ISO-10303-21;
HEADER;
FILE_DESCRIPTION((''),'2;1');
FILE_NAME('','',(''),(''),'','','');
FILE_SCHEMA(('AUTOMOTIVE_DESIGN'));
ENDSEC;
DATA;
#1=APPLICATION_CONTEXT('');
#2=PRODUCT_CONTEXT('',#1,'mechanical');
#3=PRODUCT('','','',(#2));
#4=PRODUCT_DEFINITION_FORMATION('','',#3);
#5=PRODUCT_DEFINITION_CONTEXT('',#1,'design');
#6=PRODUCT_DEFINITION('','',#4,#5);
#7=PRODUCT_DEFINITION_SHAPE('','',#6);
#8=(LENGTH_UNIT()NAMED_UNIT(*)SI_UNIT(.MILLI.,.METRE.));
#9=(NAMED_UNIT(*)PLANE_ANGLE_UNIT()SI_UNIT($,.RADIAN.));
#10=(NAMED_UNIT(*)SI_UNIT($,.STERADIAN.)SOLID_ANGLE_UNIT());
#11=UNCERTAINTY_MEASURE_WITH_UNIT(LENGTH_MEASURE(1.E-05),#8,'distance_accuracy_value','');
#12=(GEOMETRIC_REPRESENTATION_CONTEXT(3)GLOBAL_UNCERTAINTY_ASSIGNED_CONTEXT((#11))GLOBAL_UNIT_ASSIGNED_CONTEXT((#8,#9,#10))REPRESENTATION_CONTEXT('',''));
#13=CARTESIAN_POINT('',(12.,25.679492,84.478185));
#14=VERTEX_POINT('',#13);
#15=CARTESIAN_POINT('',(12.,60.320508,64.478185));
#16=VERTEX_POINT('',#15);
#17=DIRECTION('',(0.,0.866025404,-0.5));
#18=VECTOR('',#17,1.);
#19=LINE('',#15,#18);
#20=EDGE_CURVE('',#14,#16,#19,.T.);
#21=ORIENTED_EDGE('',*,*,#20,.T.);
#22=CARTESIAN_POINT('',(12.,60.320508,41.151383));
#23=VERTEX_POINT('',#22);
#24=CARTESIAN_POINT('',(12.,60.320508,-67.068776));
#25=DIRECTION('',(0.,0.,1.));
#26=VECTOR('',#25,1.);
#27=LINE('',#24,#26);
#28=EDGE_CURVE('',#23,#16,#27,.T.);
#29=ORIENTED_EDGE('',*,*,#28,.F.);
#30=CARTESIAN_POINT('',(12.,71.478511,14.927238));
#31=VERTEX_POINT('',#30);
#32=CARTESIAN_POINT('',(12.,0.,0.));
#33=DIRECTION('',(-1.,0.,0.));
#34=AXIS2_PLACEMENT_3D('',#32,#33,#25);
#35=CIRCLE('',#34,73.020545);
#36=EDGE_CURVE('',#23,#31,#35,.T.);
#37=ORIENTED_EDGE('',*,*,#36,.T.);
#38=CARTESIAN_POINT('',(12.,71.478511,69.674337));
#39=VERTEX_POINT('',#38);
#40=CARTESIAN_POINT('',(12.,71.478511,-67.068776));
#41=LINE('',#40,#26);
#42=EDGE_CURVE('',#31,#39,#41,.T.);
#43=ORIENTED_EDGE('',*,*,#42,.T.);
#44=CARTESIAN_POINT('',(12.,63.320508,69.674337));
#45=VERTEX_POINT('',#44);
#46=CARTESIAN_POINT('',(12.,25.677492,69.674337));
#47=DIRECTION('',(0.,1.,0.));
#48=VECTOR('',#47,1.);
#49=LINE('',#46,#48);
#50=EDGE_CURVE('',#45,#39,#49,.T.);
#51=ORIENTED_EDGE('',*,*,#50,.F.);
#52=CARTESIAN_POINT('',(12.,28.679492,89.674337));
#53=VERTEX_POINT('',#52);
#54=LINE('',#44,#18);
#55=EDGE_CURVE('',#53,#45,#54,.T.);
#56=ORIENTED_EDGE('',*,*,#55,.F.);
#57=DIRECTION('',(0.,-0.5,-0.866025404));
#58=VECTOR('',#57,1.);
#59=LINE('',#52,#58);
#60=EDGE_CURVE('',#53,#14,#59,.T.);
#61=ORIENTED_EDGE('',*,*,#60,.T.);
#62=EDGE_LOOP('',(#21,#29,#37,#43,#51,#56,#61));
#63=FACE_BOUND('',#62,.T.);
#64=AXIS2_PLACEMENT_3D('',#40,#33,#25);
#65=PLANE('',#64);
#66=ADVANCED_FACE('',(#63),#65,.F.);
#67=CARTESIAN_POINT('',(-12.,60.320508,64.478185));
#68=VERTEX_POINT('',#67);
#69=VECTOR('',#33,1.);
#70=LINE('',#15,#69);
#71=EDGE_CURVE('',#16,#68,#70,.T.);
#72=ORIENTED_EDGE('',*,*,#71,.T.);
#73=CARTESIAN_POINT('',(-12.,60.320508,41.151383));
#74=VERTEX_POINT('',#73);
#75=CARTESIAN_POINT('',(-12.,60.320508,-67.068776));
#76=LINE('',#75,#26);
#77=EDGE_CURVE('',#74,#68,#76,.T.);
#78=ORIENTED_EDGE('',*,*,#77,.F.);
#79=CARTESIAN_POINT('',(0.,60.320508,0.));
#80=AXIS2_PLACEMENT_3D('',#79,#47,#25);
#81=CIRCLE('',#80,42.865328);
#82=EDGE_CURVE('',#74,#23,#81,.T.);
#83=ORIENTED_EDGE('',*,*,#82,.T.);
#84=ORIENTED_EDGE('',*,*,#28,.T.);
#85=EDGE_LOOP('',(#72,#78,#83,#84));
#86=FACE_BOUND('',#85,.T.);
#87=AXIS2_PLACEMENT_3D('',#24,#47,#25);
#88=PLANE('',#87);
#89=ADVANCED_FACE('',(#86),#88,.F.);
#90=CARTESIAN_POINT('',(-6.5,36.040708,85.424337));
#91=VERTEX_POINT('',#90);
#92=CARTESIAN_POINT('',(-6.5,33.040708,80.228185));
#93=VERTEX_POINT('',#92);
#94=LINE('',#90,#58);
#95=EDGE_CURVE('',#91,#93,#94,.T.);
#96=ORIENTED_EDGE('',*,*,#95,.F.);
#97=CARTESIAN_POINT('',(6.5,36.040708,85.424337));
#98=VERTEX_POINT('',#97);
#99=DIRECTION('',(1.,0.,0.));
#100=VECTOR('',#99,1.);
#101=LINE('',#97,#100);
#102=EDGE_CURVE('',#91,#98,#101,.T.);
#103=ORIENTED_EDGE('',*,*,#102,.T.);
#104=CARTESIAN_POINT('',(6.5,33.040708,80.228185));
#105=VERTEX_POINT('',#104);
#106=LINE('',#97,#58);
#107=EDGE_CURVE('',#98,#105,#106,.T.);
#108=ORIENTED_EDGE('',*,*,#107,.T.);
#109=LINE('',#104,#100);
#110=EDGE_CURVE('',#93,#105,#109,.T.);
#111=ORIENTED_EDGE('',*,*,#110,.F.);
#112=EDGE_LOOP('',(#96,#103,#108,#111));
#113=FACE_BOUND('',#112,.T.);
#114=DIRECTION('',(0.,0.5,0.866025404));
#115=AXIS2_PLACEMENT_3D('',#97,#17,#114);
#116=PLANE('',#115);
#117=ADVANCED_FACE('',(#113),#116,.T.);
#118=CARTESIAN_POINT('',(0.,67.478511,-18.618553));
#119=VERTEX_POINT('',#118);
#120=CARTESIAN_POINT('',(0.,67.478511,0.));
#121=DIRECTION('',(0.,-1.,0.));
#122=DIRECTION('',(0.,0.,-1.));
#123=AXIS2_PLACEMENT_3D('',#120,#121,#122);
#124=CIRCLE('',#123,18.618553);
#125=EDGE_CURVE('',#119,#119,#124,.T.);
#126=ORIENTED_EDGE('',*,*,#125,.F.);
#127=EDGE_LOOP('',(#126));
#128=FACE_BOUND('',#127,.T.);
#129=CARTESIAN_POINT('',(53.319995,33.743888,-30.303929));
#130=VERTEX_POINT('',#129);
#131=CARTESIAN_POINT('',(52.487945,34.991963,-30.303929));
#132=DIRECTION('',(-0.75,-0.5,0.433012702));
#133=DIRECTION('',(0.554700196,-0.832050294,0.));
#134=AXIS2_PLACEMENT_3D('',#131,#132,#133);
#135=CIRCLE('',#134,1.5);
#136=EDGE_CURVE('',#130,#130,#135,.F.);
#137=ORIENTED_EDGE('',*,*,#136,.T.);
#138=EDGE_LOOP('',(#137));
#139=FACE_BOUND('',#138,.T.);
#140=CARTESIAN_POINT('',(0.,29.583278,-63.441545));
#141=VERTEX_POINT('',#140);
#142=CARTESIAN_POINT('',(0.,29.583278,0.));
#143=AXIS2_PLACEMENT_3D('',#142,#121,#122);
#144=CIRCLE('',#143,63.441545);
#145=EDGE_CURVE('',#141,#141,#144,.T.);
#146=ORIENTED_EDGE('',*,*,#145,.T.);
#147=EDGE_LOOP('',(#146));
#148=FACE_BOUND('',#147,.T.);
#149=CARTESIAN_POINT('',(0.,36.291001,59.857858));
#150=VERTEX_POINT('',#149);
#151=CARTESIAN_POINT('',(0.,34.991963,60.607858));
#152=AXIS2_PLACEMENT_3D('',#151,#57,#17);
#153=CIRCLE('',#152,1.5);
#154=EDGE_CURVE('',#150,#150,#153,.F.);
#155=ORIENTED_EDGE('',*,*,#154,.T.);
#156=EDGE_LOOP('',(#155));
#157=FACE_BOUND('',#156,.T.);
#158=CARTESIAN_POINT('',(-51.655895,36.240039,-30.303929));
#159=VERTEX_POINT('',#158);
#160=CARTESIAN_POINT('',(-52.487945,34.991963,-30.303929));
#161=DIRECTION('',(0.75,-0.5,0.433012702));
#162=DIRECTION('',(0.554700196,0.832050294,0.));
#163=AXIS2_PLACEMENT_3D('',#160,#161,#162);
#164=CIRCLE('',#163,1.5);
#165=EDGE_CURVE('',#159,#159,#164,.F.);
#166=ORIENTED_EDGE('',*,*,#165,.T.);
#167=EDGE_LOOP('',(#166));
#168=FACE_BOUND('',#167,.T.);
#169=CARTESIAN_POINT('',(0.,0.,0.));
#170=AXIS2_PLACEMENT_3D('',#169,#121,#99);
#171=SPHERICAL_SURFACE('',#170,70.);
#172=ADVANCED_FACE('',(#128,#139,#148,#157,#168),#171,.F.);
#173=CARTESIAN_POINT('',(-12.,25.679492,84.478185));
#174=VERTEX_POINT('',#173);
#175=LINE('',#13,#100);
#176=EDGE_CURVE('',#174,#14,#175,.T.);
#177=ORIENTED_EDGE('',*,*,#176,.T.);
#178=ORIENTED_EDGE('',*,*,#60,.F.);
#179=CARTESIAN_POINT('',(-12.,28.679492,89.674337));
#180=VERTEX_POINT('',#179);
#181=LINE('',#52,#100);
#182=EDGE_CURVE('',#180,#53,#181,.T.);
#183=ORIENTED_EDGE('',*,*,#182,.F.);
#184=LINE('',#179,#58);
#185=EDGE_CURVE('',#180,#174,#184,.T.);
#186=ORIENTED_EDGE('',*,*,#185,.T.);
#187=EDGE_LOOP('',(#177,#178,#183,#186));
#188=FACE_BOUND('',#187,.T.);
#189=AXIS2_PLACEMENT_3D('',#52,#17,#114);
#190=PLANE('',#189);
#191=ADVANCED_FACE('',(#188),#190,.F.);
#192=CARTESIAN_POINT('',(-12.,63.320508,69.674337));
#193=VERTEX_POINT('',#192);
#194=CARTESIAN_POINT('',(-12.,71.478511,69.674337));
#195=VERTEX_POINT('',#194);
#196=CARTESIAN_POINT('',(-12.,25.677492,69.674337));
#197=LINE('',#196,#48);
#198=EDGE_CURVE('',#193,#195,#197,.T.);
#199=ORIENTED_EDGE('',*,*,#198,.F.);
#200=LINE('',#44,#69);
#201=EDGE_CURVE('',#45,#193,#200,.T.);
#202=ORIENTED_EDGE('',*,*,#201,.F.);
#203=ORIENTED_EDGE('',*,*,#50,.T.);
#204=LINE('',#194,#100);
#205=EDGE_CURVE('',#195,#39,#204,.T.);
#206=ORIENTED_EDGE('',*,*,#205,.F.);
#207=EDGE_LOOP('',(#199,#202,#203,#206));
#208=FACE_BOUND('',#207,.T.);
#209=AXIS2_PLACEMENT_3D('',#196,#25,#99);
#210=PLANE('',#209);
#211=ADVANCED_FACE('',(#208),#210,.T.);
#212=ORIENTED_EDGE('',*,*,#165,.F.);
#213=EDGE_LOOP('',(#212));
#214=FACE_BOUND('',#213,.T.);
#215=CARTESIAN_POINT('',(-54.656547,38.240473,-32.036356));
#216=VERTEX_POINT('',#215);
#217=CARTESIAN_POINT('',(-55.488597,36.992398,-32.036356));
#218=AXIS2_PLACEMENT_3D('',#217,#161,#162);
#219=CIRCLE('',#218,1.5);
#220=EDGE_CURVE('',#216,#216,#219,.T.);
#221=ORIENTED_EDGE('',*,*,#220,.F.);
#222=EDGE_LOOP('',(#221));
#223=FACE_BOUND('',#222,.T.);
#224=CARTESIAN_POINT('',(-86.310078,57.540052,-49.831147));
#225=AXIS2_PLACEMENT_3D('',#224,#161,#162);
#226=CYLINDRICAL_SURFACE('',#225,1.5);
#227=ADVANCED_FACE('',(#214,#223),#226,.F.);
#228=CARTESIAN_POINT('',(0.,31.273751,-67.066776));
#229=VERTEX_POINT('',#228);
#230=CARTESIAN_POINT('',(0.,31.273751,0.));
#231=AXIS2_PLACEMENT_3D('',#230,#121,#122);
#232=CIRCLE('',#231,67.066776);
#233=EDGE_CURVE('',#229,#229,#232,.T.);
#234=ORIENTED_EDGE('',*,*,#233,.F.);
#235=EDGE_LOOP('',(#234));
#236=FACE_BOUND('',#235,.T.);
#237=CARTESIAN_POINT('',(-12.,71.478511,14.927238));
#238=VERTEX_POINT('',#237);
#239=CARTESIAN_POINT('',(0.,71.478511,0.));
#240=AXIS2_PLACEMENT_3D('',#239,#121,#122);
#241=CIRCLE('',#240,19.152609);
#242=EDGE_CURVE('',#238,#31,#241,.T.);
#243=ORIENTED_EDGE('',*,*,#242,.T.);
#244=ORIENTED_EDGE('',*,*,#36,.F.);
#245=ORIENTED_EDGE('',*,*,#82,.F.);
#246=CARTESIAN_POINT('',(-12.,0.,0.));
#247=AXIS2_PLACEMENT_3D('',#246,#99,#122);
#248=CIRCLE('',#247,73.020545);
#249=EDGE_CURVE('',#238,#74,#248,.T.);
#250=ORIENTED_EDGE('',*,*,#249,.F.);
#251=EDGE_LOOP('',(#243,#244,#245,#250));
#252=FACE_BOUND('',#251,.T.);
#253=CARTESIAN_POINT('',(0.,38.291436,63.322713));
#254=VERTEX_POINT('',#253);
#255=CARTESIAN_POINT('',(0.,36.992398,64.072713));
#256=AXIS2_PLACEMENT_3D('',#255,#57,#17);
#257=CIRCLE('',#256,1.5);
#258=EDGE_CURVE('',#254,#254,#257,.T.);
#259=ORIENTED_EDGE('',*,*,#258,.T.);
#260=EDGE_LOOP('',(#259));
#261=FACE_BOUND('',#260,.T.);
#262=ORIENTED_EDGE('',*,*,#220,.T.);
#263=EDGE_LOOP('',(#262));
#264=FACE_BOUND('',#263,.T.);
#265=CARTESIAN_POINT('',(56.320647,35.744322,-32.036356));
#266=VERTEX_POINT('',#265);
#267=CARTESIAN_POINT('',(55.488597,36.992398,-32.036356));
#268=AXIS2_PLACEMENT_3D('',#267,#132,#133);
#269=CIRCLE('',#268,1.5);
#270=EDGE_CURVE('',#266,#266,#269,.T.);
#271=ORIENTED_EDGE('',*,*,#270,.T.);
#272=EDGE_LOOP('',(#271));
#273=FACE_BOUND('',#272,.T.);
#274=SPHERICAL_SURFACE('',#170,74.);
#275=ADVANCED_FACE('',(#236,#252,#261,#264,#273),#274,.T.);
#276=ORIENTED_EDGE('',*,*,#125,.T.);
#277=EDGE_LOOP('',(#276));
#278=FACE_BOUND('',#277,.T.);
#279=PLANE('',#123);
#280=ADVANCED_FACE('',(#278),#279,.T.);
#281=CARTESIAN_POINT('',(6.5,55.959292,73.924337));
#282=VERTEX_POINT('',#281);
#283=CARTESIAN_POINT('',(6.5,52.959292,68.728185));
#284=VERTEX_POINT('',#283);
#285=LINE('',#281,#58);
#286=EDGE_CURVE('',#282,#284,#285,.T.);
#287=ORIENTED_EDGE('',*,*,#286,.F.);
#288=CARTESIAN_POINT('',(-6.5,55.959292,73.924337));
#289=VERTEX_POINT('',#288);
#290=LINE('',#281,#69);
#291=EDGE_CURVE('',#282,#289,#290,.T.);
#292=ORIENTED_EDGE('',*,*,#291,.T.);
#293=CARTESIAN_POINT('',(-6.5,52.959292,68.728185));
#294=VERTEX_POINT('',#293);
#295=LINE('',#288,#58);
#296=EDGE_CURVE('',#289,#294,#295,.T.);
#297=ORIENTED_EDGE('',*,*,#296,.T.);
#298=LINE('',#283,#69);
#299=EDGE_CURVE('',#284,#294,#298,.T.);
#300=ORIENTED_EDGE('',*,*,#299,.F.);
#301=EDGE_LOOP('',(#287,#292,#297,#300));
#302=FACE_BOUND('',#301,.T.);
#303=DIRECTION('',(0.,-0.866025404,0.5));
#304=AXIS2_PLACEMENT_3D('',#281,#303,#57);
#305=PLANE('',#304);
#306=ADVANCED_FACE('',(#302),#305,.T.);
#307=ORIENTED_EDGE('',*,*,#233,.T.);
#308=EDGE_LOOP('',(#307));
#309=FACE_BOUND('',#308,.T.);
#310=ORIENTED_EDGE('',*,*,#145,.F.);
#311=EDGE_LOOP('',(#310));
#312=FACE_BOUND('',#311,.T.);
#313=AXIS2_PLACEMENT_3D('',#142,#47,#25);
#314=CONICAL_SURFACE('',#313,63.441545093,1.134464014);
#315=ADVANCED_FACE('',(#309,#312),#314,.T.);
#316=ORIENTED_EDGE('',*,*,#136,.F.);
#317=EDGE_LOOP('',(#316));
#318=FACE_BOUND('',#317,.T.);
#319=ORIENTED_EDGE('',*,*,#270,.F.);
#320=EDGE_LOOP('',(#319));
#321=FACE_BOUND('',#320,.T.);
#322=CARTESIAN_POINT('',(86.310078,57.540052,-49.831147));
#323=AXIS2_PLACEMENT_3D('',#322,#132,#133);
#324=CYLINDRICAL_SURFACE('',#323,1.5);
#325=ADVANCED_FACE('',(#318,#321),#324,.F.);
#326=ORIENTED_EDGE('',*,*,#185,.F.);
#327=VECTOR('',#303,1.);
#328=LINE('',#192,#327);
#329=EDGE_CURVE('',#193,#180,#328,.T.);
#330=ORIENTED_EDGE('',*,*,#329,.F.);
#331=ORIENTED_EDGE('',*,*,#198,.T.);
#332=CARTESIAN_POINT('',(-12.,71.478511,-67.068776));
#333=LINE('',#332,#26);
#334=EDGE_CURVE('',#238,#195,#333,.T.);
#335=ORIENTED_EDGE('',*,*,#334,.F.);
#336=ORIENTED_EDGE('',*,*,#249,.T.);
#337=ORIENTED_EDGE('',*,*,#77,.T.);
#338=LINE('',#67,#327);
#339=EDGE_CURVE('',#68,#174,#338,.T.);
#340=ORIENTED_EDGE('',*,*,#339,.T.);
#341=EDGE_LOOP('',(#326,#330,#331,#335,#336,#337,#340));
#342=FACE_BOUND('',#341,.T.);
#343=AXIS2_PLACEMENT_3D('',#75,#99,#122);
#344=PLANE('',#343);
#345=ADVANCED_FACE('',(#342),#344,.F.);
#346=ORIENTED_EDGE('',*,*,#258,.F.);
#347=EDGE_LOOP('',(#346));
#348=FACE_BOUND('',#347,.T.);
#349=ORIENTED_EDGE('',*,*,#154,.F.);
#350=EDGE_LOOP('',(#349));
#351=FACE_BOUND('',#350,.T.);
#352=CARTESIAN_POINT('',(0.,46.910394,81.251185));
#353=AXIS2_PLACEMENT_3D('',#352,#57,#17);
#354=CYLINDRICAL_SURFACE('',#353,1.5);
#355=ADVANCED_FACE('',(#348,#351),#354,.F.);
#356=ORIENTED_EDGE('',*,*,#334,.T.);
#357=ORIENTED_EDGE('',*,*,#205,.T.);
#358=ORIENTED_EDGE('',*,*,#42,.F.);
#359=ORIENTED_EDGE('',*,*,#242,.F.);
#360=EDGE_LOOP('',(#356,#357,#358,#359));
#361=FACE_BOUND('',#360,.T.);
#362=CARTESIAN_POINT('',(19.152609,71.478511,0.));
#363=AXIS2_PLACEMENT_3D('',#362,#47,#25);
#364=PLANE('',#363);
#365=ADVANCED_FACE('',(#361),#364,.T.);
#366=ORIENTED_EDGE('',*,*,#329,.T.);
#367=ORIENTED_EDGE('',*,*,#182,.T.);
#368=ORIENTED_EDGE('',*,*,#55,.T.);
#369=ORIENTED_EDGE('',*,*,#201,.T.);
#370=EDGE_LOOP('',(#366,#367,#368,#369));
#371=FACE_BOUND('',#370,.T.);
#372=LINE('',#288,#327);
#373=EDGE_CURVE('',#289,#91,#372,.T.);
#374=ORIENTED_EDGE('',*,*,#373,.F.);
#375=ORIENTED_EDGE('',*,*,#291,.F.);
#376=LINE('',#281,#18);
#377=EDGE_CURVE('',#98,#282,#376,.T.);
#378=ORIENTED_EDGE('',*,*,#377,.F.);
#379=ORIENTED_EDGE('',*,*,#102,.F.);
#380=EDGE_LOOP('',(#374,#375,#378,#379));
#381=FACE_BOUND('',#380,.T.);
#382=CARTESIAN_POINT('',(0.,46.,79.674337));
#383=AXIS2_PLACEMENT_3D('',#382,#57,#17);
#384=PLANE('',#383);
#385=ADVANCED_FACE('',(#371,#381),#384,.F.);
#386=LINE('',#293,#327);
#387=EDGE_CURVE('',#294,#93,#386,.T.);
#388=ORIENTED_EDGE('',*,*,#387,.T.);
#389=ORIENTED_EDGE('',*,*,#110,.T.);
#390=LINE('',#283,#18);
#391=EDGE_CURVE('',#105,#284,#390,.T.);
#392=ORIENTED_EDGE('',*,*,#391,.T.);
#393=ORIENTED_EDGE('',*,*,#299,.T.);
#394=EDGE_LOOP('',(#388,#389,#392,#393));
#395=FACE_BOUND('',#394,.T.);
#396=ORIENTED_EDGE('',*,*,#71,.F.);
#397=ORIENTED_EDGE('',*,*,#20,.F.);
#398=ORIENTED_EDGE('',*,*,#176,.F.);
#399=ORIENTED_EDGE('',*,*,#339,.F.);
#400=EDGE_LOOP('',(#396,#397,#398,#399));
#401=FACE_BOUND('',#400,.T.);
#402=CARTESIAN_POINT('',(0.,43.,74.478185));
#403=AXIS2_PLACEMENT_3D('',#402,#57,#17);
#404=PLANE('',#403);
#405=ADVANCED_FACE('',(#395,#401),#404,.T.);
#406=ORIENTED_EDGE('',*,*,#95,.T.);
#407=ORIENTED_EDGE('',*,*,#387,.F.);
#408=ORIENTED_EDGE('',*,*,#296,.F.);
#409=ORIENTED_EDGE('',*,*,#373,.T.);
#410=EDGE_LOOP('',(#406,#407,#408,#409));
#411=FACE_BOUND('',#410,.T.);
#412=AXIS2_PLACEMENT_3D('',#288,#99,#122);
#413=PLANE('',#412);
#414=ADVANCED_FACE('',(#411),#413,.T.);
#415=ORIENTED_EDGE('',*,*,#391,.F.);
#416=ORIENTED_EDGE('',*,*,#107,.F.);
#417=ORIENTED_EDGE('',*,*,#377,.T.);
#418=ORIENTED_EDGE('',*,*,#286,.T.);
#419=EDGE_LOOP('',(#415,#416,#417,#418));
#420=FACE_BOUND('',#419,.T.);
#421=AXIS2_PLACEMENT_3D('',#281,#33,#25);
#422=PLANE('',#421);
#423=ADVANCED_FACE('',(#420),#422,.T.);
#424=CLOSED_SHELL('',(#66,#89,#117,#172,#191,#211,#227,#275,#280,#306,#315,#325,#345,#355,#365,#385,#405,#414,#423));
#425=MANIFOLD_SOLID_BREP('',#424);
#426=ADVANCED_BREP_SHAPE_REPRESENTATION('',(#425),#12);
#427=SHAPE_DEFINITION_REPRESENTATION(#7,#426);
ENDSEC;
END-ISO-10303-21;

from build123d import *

# Parameters (mm, degrees)
SKETCH_3_R               = 1.5
CUT_EXTRUDE_2_DEPTH      = 119.764820154
PATTERN_CIRCULAR_2_COUNT = 3
SKETCH_4_W               = 24
SKETCH_4_H               = 40
SKETCH_4_W_2             = 13
SKETCH_4_H_2             = 23
EXTRUDE_1_DEPTH          = 6
EXTRUDE_2_REACH          = 122.983
SKETCH_5_W               = 24
SKETCH_5_H               = 5.196152423
EXTRUDE_3_REACH          = 166.046
EXTRUDE_3_END_RADIUS     = 74
SKETCH_8_W               = 24
SKETCH_8_H               = 11.158003069


with BuildPart() as part:
    # 草图1 → 旋转1 (revolve)
    with BuildSketch(Plane.XY):
        with BuildLine():
            Line((19.152609338, 71.478511145), (0, 71.478511145))
            Line((0, 71.478511145), (0, 67.478511145))
            Line((0, 67.478511145), (18.618553478, 67.478511145))
            ThreePointArc((18.618553478, 67.478511145), (45.193772934, 53.455803127), (63.441545093, 29.583278322))
            Line((63.441545093, 29.583278322), (67.066776241, 31.273751369))
            ThreePointArc((67.066776241, 31.273751369), (47.566283117, 56.687288791), (19.152609338, 71.478511145))
        make_face()
    revolve(axis=Axis((0, 0, 0), (0, 1, 0)))

    # 草图3 → 切除-拉伸2 (cut, through all)
    with BuildSketch(Plane(origin=(0, 0, 0), x_dir=(-1, 0, 0), z_dir=(0, 0.500000000000001, 0.866025403784438))):
        with Locations(Location((0, 0, 0), (0, 0, 270))):
            Circle(SKETCH_3_R)
    cut_extrude_2 = extrude(amount=CUT_EXTRUDE_2_DEPTH, mode=Mode.SUBTRACT)

    # 阵列(圆周)2: 切除-拉伸2 ×3 about axis
    pattern_circular_2_axis = Axis((0, 71.478511145, 0), (0, -1, 0))
    for i in range(1, PATTERN_CIRCULAR_2_COUNT):
        add(cut_extrude_2.rotate(pattern_circular_2_axis, i * 360 / PATTERN_CIRCULAR_2_COUNT), mode=Mode.SUBTRACT)



with BuildPart() as body_2:
    # 草图4 → 凸台-拉伸1 (new body)
    with BuildSketch(Plane(origin=(0, 43, 74.478184725), x_dir=(-1, 0, 0), z_dir=(0, 0.500000000000001, 0.866025403784438))):
        Rectangle(SKETCH_4_W, SKETCH_4_H)
        Rectangle(SKETCH_4_W_2, SKETCH_4_H_2, mode=Mode.SUBTRACT)
    extrude(amount=EXTRUDE_1_DEPTH)

    # 草图5 → 凸台-拉伸2 (add, up to next)
    with BuildSketch(Plane(origin=(0, 71.478511145, 0), x_dir=(1, 0, 0), z_dir=(0, 1, 0)), mode=Mode.PRIVATE) as extrude_2_sk1:
        with Locations((0, -67.076260937)):
            Rectangle(SKETCH_5_W, SKETCH_5_H)
    extrude_2_tool1 = extrude(extrude_2_sk1.sketch, amount=-EXTRUDE_2_REACH, mode=Mode.PRIVATE) - body_2.part
    add(extrude_2_tool1.solids().sort_by_distance((0, 71.478511, 67.076261))[0])


with BuildPart() as part_1:
    add(part.part)

    add(body_2.part)  # 凸台-拉伸3 merges body 2
    # 凸台-拉伸3: up to this sphere (the profile starts outside it)
    extrude_3_end = Location((0, 0, 0)) * Sphere(EXTRUDE_3_END_RADIUS, mode=Mode.PRIVATE)
    # 草图8 → 凸台-拉伸3 (add, up to the surface)
    with BuildSketch(Plane(origin=(0, 0, 64.478184725), x_dir=(-1, 0, 0), z_dir=(0, 0, -1)), mode=Mode.PRIVATE) as extrude_3_sk1:
        with Locations((0, 65.899509611)):
            Rectangle(SKETCH_8_W, SKETCH_8_H)
    extrude_3_tool1 = extrude(extrude_3_sk1.sketch, amount=EXTRUDE_3_REACH, mode=Mode.PRIVATE) - extrude_3_end
    add(extrude_3_tool1.solids().sort_by_distance((0, 65.89951, 64.478185))[0])


solid = part_1.part
